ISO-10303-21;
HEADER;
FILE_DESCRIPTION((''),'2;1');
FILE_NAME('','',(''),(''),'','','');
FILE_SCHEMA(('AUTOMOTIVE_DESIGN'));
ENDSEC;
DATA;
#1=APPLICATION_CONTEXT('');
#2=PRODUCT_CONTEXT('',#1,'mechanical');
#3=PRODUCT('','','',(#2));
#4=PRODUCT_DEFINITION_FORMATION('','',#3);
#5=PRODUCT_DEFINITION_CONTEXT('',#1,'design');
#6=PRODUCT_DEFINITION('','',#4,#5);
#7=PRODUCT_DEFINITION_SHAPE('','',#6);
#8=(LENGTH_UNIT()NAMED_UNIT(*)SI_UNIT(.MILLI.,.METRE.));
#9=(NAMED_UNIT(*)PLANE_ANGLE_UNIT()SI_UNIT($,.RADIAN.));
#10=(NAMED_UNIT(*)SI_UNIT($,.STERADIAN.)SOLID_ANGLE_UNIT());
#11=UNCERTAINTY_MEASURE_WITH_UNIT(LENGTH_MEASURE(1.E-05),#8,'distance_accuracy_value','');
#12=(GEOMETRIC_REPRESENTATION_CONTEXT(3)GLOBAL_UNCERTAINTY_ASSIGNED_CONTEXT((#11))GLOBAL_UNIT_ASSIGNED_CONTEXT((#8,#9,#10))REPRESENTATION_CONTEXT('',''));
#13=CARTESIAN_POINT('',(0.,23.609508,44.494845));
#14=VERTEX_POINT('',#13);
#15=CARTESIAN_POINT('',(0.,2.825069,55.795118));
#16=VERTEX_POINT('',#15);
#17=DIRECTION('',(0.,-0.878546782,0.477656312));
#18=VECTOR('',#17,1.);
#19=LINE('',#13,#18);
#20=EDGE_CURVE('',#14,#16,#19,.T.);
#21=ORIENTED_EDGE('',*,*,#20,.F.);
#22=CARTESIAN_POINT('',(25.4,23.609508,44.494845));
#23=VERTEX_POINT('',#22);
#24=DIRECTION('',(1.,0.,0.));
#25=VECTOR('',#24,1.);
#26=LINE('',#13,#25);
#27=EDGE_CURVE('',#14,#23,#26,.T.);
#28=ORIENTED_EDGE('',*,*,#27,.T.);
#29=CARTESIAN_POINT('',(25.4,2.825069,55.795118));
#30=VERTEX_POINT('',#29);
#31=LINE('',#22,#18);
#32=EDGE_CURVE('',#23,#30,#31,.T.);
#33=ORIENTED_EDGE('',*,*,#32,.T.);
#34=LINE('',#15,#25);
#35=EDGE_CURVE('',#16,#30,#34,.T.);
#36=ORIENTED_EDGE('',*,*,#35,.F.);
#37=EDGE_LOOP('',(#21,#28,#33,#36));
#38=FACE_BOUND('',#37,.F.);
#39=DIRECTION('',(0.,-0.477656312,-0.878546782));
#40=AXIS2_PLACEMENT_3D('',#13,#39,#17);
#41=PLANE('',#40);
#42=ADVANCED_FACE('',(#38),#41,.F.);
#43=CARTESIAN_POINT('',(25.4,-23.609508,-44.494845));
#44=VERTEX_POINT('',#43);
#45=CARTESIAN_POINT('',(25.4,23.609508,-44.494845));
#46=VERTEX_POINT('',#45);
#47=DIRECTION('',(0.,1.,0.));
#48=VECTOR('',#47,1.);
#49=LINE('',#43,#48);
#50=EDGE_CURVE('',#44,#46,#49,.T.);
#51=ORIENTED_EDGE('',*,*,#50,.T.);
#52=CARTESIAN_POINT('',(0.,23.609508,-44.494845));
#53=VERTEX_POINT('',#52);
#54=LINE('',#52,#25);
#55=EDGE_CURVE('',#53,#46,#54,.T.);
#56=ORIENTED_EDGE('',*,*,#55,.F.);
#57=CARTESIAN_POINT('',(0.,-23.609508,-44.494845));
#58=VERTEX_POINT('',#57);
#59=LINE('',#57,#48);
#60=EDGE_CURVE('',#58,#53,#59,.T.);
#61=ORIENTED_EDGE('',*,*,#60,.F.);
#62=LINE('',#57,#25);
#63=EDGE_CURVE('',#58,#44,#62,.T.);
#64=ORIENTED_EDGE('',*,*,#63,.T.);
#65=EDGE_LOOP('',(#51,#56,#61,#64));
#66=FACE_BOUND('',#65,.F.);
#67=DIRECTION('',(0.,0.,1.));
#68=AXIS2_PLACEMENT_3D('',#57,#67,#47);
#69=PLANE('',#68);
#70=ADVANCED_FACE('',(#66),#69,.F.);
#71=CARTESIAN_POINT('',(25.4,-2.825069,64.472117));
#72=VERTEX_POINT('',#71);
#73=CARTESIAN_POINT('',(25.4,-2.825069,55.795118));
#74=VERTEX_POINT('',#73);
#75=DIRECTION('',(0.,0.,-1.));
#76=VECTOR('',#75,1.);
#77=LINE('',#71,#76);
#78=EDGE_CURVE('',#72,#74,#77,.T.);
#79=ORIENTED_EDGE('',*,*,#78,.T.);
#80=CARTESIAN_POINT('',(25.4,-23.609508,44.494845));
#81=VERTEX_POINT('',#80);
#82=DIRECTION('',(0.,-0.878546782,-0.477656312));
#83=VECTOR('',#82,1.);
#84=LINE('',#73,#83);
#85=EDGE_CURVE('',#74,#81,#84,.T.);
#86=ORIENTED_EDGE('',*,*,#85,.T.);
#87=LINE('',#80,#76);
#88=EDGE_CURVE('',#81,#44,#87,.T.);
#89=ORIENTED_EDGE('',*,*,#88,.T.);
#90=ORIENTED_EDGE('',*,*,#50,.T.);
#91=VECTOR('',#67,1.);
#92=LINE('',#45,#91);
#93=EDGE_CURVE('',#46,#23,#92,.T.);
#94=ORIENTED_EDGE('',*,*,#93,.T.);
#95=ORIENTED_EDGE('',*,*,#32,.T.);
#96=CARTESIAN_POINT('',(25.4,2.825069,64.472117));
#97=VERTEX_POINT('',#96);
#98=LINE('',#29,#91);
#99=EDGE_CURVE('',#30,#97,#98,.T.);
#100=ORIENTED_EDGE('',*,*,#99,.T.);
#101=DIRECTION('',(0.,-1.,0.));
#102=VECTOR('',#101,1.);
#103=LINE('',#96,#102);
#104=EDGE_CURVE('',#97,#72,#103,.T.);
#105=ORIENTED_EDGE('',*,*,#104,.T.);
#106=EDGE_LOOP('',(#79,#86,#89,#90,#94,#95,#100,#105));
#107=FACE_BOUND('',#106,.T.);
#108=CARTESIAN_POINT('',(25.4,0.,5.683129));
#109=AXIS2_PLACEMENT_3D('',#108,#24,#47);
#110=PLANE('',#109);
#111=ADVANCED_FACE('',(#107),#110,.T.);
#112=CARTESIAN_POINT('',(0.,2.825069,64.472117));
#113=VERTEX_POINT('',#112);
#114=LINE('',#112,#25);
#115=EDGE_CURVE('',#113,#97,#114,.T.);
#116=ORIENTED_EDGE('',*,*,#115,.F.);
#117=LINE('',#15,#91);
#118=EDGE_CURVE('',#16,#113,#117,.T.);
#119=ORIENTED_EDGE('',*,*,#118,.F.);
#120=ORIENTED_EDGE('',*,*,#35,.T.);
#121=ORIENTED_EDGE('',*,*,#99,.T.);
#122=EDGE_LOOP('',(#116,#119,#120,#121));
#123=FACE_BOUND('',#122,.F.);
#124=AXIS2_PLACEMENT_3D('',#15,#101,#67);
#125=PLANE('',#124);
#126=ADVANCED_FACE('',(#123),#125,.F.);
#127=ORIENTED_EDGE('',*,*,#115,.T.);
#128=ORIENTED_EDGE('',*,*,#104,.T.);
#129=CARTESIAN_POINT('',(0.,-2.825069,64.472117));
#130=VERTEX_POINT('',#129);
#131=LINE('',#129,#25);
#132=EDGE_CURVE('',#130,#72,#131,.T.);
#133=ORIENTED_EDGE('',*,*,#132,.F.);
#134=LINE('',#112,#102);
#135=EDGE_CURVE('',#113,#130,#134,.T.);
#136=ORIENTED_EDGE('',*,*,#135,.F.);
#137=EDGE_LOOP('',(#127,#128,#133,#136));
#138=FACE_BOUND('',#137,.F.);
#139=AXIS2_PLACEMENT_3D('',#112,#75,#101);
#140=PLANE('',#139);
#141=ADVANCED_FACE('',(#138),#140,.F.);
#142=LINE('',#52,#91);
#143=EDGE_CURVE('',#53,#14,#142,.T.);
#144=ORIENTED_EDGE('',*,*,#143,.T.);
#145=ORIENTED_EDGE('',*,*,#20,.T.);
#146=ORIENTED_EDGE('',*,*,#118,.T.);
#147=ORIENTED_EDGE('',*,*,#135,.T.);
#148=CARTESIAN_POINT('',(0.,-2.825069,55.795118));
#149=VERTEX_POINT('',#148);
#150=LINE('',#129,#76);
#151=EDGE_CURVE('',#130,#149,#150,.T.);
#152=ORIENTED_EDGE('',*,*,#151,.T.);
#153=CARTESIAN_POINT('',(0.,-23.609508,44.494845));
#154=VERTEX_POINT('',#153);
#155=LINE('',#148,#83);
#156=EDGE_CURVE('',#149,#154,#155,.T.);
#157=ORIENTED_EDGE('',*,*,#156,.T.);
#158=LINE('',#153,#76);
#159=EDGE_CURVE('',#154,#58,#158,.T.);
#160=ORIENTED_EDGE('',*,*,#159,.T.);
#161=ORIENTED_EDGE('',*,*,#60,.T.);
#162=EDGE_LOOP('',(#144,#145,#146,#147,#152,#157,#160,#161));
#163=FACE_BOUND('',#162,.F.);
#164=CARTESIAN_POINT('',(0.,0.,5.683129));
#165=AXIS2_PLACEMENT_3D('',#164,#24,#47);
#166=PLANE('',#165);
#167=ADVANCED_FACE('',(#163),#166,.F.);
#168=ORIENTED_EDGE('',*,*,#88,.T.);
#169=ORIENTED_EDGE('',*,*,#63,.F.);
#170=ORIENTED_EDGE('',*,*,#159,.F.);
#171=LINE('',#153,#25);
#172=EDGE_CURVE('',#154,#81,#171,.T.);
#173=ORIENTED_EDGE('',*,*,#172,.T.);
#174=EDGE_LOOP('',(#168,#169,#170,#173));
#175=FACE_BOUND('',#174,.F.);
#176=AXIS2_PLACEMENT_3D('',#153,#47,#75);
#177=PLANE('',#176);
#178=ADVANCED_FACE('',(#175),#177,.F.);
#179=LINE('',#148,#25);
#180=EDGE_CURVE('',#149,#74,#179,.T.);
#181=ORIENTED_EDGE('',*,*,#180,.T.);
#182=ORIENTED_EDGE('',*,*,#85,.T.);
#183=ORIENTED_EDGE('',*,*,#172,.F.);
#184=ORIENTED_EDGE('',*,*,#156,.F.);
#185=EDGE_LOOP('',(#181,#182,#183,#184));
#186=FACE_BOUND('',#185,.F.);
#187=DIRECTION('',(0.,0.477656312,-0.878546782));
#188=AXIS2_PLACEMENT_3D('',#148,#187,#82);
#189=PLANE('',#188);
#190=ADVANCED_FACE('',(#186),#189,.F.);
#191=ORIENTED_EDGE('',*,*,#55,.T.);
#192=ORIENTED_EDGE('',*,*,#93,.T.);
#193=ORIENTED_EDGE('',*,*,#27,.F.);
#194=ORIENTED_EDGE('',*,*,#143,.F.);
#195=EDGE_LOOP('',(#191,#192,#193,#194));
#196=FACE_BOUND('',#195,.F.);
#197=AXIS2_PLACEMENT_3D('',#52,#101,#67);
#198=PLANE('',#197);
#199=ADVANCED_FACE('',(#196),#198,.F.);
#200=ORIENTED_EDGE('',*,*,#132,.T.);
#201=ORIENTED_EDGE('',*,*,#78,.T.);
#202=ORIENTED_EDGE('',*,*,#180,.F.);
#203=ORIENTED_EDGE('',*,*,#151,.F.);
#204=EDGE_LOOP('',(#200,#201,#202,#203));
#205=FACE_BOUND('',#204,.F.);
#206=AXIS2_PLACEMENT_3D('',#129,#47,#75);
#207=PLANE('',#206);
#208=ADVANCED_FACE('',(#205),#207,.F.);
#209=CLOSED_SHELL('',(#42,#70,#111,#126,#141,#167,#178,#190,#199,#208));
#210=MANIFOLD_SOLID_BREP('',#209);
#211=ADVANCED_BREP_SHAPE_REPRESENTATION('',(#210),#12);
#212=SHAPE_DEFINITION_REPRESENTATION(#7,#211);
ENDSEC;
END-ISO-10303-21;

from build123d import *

# Parameters (mm, degrees)
F1_DEPTH = 25.4


with BuildPart() as f1:
    # F0 (on Right) → F1 (new body)
    with BuildSketch(Plane.YZ):
        Polygon((-23.609508, 44.494845), (-23.609508, -44.494845), (23.609508, -44.494845), (23.609508, 44.494845), (2.825069, 55.795118), (2.825069, 64.472117), (0, 64.472117), (-2.825069, 64.472117), (-2.825069, 55.795118), align=None)
    extrude(amount=F1_DEPTH)


solid = f1.part
